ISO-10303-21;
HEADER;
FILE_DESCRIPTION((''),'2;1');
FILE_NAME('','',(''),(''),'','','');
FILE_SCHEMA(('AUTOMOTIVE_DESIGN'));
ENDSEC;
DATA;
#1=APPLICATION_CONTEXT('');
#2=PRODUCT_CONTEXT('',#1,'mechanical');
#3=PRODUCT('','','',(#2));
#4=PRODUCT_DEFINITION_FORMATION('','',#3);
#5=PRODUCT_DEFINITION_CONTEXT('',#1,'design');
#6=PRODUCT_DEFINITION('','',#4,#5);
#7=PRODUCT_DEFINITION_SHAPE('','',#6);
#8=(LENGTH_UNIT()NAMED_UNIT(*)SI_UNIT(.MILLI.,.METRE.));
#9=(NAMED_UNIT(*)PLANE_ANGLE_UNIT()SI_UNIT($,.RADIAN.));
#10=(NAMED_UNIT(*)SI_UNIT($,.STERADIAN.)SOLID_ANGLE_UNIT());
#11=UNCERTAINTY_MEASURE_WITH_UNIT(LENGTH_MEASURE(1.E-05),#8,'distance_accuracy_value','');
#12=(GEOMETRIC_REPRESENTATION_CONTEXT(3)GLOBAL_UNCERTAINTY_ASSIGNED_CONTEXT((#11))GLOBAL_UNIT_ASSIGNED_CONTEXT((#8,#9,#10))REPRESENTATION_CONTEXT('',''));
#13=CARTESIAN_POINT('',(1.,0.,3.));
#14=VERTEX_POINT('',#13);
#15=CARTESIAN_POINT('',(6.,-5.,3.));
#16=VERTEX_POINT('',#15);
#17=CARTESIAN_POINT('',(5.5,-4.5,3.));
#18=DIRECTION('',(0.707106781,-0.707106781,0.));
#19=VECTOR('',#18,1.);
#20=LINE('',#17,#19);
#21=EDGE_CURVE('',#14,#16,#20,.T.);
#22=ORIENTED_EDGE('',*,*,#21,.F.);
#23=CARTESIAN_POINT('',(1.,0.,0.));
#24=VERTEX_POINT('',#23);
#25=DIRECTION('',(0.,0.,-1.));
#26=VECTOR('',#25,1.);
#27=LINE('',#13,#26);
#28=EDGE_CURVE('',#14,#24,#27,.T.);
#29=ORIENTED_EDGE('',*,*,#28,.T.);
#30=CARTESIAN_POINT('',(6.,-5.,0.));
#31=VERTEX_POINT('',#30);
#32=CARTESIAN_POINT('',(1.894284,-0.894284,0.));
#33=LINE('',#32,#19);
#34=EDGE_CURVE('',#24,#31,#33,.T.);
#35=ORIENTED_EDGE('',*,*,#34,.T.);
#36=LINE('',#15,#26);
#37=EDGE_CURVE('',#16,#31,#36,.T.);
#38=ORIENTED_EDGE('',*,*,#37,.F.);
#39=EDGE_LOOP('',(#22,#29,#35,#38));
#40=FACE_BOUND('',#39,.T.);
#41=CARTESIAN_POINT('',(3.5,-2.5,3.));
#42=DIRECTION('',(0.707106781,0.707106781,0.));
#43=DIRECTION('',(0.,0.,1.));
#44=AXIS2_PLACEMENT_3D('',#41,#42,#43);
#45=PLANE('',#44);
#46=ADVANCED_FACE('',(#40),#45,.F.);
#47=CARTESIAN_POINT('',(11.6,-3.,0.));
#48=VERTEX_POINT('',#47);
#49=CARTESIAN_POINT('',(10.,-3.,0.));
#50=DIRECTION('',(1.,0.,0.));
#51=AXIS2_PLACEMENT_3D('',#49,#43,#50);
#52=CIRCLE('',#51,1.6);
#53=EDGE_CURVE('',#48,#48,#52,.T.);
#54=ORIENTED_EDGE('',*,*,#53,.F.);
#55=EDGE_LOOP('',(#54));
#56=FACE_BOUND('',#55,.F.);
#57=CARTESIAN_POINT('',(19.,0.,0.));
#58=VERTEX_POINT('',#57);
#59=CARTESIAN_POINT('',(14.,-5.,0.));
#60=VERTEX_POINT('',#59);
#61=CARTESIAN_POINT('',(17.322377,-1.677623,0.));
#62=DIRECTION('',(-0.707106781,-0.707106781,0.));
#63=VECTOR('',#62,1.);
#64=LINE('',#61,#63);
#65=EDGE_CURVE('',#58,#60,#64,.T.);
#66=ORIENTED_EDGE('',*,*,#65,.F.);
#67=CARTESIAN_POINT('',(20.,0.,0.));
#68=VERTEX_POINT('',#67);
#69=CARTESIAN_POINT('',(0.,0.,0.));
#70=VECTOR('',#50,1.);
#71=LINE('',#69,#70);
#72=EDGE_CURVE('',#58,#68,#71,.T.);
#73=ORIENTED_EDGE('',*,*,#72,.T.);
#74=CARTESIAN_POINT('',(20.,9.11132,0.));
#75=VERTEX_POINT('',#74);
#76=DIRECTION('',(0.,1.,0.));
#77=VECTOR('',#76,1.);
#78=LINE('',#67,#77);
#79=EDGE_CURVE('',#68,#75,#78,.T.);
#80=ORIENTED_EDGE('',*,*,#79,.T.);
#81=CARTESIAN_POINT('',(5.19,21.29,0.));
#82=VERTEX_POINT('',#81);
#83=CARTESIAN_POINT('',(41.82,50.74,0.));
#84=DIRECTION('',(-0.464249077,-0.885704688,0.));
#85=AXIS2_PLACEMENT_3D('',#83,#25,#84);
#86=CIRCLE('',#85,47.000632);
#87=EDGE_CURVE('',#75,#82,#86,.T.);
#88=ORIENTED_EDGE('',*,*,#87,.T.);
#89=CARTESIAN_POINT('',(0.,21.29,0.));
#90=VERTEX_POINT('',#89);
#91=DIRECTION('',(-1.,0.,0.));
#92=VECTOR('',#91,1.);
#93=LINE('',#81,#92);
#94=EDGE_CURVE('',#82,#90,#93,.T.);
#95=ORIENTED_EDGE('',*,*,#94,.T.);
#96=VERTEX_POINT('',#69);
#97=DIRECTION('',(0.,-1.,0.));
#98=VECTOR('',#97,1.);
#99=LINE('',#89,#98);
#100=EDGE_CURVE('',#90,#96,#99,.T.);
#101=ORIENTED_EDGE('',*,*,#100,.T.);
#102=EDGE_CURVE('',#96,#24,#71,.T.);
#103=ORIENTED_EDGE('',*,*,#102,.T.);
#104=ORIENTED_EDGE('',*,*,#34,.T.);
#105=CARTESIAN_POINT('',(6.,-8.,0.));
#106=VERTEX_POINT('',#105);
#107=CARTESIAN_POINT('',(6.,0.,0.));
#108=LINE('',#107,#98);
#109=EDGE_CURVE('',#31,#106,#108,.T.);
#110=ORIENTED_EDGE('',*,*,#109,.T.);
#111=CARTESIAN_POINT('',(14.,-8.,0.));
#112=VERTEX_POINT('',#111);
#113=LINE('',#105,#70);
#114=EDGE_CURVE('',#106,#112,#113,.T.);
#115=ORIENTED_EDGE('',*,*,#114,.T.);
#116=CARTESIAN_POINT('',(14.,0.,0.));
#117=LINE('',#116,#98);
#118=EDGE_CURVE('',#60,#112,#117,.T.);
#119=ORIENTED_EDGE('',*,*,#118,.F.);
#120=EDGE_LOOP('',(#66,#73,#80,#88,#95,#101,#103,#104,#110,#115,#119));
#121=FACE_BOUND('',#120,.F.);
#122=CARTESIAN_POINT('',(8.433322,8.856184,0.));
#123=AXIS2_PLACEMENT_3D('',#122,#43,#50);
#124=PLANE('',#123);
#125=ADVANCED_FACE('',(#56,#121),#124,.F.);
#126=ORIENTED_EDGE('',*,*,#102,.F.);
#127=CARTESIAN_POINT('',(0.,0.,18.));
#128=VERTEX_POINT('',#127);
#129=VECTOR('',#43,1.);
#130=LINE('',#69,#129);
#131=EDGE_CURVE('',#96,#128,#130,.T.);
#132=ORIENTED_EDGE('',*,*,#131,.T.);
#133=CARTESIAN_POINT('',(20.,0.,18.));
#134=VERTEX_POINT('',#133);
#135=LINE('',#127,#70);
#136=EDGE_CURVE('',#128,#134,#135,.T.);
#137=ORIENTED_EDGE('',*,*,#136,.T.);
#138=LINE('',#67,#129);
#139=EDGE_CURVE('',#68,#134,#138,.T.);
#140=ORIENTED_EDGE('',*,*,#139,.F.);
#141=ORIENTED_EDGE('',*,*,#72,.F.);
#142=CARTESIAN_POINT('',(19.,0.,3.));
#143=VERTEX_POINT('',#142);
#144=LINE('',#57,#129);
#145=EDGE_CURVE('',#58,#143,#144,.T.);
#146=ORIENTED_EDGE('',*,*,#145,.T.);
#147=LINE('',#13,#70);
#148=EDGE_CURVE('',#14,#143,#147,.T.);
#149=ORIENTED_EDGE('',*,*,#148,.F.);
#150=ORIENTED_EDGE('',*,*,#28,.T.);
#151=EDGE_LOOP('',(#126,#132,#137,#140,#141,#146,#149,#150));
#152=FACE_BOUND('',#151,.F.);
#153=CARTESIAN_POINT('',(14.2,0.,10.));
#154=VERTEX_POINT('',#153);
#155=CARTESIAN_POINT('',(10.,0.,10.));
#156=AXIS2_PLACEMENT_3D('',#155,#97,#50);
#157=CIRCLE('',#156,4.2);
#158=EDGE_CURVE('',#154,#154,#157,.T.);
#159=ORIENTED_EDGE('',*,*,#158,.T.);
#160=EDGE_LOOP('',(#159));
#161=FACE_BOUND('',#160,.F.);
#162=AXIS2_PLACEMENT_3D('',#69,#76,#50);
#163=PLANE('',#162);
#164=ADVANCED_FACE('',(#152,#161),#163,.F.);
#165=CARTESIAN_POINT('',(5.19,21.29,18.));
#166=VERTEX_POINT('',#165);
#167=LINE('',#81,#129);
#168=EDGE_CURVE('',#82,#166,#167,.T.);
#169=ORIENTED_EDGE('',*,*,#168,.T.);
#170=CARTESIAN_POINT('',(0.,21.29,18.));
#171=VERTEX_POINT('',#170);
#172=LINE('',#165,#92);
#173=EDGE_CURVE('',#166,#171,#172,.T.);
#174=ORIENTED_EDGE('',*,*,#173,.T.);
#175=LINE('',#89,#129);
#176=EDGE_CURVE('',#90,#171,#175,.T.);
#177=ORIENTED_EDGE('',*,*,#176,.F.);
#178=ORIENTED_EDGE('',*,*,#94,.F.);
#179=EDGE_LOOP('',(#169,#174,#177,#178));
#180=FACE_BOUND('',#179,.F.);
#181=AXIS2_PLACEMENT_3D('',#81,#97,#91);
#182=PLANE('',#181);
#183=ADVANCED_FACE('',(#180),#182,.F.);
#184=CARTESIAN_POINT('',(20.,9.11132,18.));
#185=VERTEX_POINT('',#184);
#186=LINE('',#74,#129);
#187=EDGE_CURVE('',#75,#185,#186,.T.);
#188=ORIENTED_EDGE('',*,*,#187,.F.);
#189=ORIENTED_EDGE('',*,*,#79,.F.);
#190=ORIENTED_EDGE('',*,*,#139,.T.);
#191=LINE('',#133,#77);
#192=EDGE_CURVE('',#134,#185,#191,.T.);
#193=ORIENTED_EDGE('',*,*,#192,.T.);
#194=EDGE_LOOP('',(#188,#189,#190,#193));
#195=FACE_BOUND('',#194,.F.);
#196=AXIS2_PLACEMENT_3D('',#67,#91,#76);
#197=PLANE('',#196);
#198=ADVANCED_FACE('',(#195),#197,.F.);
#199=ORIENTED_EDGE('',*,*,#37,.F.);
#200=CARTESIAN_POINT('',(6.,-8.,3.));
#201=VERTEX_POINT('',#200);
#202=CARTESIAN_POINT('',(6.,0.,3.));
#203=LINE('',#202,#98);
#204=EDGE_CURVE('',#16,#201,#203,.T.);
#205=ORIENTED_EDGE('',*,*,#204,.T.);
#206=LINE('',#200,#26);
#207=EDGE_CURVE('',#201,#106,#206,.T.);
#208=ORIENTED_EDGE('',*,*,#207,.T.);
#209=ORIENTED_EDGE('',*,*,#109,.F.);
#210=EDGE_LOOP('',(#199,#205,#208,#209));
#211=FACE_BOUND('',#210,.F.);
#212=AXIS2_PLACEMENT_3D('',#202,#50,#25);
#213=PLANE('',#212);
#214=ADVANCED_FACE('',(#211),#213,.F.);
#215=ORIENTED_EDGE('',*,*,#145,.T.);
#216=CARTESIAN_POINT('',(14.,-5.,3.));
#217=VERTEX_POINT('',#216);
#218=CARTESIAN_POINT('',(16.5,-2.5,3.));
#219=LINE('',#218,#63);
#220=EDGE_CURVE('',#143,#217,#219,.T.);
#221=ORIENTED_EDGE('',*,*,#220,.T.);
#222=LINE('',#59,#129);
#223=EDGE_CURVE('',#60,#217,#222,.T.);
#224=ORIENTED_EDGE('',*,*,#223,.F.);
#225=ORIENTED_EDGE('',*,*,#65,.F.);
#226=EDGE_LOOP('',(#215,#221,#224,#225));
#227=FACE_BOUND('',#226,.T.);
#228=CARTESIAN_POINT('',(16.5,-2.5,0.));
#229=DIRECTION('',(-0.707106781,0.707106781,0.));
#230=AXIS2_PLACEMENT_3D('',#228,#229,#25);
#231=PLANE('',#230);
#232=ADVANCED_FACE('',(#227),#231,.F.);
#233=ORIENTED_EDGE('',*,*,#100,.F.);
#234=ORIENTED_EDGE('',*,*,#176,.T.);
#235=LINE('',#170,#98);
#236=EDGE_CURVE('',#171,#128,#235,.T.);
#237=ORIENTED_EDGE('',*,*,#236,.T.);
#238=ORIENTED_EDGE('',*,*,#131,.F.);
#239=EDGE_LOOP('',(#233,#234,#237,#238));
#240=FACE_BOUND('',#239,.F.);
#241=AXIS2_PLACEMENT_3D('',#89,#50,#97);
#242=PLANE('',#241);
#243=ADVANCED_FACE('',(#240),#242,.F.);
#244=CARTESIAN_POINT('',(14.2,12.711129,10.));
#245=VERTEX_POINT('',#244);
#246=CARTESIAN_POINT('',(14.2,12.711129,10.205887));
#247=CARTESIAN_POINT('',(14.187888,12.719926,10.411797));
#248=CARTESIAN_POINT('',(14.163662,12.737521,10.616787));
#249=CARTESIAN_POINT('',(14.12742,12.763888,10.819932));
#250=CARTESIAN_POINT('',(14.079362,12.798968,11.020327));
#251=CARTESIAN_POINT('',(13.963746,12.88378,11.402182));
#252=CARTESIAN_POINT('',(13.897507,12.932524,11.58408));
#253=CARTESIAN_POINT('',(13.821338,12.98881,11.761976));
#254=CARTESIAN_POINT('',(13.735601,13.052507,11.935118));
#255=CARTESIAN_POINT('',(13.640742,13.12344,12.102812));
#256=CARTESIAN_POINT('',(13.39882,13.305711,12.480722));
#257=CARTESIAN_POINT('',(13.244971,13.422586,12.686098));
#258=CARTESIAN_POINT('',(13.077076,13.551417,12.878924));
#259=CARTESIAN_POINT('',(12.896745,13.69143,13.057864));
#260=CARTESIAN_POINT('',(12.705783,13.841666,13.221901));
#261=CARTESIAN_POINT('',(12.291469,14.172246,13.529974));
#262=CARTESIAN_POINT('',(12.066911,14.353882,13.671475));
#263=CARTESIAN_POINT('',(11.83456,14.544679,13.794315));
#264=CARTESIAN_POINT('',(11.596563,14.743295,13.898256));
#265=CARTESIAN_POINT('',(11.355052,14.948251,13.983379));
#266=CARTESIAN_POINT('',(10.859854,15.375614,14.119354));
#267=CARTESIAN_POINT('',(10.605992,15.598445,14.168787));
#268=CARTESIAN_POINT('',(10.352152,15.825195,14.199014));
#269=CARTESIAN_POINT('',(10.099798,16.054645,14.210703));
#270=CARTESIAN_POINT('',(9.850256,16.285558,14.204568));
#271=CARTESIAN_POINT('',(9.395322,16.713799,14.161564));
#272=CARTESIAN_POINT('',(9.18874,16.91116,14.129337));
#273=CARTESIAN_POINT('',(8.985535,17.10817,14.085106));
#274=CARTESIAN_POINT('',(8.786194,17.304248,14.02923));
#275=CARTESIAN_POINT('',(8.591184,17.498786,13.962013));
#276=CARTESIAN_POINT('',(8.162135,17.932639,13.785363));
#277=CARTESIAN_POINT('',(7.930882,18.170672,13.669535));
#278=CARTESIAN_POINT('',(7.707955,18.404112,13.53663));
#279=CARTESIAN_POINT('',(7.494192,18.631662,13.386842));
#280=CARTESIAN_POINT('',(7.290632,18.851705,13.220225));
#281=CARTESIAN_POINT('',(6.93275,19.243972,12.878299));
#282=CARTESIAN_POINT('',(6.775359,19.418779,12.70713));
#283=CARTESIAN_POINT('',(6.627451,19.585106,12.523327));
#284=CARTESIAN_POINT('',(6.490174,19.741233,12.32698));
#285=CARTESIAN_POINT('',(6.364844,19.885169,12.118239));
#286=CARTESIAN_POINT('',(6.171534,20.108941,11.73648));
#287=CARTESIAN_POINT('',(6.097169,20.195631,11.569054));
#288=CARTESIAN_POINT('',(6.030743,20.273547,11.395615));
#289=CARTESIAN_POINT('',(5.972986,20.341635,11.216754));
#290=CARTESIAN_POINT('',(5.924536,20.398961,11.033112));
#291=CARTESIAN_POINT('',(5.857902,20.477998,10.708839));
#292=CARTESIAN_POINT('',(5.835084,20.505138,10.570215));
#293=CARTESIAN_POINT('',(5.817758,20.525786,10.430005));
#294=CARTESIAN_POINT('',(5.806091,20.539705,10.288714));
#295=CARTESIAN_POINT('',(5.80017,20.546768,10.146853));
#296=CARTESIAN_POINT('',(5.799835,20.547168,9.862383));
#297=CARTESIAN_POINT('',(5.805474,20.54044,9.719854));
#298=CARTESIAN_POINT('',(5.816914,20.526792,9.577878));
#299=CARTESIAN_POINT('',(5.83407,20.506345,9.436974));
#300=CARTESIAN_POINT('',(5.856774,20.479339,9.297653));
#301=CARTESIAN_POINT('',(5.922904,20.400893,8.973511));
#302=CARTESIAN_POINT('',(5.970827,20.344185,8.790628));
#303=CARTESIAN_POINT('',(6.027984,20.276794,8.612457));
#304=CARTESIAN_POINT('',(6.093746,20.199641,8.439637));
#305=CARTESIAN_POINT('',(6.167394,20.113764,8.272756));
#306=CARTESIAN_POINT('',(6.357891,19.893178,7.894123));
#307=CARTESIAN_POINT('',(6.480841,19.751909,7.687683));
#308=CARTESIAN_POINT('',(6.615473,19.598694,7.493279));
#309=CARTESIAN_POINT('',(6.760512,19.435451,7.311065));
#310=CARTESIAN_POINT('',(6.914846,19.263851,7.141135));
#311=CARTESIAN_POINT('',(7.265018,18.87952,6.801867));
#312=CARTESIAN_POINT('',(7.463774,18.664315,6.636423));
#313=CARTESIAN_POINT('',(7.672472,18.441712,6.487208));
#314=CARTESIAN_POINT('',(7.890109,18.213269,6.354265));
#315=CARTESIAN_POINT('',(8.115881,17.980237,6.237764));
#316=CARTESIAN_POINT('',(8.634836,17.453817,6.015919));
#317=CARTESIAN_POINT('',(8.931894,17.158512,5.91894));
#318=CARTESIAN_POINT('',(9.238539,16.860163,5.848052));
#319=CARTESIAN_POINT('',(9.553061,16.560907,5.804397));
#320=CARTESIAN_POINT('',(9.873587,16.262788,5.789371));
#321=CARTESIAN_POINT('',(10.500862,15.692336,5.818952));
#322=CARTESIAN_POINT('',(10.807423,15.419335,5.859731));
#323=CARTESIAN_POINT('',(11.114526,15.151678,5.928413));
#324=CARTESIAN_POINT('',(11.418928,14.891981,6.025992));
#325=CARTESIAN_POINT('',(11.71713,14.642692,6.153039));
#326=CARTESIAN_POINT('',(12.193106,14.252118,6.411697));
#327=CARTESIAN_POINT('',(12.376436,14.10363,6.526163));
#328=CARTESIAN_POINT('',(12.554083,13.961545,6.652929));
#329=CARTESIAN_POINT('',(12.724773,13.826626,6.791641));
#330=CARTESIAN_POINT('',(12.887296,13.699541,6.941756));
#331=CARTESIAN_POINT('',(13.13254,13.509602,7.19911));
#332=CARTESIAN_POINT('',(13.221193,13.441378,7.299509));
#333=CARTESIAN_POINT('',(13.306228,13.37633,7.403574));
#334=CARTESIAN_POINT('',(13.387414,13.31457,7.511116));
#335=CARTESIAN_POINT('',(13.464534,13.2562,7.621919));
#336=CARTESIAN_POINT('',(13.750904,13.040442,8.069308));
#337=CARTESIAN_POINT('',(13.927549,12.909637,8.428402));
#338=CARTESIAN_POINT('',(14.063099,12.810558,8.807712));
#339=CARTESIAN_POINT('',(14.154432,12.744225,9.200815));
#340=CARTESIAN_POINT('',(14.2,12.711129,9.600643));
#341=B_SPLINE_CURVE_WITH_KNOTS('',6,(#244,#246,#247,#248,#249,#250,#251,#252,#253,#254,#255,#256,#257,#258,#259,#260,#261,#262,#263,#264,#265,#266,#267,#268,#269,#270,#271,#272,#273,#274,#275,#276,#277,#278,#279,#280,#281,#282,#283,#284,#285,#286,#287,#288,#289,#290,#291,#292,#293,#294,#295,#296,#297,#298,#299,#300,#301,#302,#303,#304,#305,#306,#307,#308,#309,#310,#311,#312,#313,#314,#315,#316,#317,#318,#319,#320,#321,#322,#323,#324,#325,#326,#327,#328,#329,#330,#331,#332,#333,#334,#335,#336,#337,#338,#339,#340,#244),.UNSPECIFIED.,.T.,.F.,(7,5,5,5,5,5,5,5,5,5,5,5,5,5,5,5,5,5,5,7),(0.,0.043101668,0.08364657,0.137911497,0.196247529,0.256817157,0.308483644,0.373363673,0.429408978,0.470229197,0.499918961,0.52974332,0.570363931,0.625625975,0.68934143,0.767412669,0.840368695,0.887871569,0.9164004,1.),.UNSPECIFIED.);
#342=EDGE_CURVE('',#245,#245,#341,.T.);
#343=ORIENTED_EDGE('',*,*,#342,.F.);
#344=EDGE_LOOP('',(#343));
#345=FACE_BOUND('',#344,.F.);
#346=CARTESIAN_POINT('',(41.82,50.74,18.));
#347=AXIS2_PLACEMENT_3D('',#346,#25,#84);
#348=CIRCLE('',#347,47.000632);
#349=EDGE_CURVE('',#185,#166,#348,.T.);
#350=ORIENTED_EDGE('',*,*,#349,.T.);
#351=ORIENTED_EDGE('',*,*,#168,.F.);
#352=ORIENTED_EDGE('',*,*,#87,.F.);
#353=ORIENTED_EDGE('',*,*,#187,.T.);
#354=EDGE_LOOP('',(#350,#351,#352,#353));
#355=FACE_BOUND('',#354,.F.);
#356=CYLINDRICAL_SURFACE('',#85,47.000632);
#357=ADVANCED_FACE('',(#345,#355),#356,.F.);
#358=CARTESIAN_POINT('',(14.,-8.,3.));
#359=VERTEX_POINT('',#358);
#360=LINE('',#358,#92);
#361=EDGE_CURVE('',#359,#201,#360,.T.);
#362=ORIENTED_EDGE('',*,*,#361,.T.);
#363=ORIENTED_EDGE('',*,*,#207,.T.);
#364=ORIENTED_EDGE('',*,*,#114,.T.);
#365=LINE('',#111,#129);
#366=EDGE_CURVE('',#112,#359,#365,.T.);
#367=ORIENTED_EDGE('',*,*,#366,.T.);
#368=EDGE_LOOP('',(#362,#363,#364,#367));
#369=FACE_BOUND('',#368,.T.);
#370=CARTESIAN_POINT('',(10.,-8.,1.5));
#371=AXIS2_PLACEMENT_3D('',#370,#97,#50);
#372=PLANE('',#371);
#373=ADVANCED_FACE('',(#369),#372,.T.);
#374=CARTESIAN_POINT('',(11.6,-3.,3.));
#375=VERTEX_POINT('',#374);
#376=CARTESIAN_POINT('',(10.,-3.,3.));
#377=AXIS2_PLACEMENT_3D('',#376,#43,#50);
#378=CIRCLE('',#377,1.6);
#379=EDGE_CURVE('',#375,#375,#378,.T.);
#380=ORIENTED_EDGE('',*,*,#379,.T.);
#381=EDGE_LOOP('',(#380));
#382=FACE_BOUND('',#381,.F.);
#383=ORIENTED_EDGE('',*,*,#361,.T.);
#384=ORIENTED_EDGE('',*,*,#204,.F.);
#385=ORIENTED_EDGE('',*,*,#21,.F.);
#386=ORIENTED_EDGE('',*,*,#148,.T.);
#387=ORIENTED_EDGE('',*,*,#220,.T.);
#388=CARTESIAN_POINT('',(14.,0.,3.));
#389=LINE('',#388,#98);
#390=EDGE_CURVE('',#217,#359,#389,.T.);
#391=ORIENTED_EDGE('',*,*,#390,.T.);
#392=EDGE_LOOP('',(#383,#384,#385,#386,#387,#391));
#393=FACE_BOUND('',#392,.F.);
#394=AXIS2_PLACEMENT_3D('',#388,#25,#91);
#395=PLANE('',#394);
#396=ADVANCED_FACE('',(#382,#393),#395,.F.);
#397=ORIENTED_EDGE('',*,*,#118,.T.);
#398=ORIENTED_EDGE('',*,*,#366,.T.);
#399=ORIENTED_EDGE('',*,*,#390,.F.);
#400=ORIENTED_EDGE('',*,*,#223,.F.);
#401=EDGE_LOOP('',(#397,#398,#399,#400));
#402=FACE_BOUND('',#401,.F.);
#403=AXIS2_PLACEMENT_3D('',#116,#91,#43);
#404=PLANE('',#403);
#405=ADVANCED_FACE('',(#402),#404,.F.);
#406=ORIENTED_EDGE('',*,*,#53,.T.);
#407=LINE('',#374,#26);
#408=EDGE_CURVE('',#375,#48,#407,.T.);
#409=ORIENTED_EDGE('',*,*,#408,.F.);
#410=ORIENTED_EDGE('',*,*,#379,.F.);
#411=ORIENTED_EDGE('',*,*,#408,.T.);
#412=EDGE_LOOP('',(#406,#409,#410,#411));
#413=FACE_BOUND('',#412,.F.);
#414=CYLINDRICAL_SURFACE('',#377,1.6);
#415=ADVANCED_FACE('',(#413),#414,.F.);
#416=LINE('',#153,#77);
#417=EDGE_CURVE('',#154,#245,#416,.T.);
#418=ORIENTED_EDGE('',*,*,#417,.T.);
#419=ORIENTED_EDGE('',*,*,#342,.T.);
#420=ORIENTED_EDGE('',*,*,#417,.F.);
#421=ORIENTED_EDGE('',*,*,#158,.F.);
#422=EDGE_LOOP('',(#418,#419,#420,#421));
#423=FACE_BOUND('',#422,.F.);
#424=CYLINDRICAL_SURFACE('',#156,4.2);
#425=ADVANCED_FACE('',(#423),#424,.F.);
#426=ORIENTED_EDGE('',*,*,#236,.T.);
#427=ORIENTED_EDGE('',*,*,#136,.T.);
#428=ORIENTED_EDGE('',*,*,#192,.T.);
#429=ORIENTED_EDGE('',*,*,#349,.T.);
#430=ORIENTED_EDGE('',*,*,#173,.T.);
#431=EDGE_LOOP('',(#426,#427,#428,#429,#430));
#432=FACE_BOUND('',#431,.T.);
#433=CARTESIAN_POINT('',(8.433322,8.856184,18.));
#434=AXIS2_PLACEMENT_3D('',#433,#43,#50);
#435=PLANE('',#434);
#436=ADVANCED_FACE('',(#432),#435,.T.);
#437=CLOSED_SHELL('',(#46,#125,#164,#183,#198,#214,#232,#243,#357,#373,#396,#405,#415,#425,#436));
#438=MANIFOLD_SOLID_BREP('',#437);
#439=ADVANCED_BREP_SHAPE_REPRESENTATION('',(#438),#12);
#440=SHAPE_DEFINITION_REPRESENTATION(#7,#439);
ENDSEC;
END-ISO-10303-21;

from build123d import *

# Parameters (mm, degrees)
EXTRUDE_1_DEPTH     = 18
SKETCH_2_R          = 4.2
CUT_EXTRUDE_1_DEPTH = 28
EXTRUDE_2_DEPTH     = 8
SKETCH_4_R          = 1.6
CUT_EXTRUDE_2_DEPTH = 8
CHAMFER_1_SIZE      = 5
CHAMFER_2_SIZE      = 5


with BuildPart() as part:
    # 草图1 → 凸台-拉伸1 (new body)
    with BuildSketch(Plane.XY):
        with BuildLine():
            Line((0, 0), (20, 0))
            Line((20, 0), (20, 9.111319982))
            ThreePointArc((20, 9.111319982), (11.967350423, 14.437400737), (5.19, 21.29))
            Line((5.19, 21.29), (0, 21.29))
            Line((0, 21.29), (0, 0))
        make_face()
    extrude(amount=EXTRUDE_1_DEPTH)

    # 草图2 → 切除-拉伸1 (cut)
    with BuildSketch(Plane.XZ):
        with Locations((10, 10)):
            Circle(SKETCH_2_R)
    extrude(amount=-CUT_EXTRUDE_1_DEPTH, mode=Mode.SUBTRACT)

    # 草图3 → 凸台-拉伸2 (add)
    with BuildSketch(Plane.XZ):
        Polygon((10, 0), (14, 0), (14, 3), (6, 3), (6, 0), align=None)
    extrude(amount=EXTRUDE_2_DEPTH)

    # 草图4 → 切除-拉伸2 (cut)
    with BuildSketch(Plane.XY.offset(3)):
        with Locations((10, -3)):
            Circle(SKETCH_4_R)
    extrude(amount=-CUT_EXTRUDE_2_DEPTH, mode=Mode.SUBTRACT)

    # 倒角1
    chamfer_1_edges = [part.edges().sort_by_distance(p)[0] for p in [
        (6, 0, 1.5),
    ]]
    chamfer(chamfer_1_edges, length=CHAMFER_1_SIZE)

    # 倒角2
    chamfer_2_edges = [part.edges().sort_by_distance(p)[0] for p in [
        (14, 0, 1.5),
    ]]
    chamfer(chamfer_2_edges, length=CHAMFER_2_SIZE)


solid = part.part
